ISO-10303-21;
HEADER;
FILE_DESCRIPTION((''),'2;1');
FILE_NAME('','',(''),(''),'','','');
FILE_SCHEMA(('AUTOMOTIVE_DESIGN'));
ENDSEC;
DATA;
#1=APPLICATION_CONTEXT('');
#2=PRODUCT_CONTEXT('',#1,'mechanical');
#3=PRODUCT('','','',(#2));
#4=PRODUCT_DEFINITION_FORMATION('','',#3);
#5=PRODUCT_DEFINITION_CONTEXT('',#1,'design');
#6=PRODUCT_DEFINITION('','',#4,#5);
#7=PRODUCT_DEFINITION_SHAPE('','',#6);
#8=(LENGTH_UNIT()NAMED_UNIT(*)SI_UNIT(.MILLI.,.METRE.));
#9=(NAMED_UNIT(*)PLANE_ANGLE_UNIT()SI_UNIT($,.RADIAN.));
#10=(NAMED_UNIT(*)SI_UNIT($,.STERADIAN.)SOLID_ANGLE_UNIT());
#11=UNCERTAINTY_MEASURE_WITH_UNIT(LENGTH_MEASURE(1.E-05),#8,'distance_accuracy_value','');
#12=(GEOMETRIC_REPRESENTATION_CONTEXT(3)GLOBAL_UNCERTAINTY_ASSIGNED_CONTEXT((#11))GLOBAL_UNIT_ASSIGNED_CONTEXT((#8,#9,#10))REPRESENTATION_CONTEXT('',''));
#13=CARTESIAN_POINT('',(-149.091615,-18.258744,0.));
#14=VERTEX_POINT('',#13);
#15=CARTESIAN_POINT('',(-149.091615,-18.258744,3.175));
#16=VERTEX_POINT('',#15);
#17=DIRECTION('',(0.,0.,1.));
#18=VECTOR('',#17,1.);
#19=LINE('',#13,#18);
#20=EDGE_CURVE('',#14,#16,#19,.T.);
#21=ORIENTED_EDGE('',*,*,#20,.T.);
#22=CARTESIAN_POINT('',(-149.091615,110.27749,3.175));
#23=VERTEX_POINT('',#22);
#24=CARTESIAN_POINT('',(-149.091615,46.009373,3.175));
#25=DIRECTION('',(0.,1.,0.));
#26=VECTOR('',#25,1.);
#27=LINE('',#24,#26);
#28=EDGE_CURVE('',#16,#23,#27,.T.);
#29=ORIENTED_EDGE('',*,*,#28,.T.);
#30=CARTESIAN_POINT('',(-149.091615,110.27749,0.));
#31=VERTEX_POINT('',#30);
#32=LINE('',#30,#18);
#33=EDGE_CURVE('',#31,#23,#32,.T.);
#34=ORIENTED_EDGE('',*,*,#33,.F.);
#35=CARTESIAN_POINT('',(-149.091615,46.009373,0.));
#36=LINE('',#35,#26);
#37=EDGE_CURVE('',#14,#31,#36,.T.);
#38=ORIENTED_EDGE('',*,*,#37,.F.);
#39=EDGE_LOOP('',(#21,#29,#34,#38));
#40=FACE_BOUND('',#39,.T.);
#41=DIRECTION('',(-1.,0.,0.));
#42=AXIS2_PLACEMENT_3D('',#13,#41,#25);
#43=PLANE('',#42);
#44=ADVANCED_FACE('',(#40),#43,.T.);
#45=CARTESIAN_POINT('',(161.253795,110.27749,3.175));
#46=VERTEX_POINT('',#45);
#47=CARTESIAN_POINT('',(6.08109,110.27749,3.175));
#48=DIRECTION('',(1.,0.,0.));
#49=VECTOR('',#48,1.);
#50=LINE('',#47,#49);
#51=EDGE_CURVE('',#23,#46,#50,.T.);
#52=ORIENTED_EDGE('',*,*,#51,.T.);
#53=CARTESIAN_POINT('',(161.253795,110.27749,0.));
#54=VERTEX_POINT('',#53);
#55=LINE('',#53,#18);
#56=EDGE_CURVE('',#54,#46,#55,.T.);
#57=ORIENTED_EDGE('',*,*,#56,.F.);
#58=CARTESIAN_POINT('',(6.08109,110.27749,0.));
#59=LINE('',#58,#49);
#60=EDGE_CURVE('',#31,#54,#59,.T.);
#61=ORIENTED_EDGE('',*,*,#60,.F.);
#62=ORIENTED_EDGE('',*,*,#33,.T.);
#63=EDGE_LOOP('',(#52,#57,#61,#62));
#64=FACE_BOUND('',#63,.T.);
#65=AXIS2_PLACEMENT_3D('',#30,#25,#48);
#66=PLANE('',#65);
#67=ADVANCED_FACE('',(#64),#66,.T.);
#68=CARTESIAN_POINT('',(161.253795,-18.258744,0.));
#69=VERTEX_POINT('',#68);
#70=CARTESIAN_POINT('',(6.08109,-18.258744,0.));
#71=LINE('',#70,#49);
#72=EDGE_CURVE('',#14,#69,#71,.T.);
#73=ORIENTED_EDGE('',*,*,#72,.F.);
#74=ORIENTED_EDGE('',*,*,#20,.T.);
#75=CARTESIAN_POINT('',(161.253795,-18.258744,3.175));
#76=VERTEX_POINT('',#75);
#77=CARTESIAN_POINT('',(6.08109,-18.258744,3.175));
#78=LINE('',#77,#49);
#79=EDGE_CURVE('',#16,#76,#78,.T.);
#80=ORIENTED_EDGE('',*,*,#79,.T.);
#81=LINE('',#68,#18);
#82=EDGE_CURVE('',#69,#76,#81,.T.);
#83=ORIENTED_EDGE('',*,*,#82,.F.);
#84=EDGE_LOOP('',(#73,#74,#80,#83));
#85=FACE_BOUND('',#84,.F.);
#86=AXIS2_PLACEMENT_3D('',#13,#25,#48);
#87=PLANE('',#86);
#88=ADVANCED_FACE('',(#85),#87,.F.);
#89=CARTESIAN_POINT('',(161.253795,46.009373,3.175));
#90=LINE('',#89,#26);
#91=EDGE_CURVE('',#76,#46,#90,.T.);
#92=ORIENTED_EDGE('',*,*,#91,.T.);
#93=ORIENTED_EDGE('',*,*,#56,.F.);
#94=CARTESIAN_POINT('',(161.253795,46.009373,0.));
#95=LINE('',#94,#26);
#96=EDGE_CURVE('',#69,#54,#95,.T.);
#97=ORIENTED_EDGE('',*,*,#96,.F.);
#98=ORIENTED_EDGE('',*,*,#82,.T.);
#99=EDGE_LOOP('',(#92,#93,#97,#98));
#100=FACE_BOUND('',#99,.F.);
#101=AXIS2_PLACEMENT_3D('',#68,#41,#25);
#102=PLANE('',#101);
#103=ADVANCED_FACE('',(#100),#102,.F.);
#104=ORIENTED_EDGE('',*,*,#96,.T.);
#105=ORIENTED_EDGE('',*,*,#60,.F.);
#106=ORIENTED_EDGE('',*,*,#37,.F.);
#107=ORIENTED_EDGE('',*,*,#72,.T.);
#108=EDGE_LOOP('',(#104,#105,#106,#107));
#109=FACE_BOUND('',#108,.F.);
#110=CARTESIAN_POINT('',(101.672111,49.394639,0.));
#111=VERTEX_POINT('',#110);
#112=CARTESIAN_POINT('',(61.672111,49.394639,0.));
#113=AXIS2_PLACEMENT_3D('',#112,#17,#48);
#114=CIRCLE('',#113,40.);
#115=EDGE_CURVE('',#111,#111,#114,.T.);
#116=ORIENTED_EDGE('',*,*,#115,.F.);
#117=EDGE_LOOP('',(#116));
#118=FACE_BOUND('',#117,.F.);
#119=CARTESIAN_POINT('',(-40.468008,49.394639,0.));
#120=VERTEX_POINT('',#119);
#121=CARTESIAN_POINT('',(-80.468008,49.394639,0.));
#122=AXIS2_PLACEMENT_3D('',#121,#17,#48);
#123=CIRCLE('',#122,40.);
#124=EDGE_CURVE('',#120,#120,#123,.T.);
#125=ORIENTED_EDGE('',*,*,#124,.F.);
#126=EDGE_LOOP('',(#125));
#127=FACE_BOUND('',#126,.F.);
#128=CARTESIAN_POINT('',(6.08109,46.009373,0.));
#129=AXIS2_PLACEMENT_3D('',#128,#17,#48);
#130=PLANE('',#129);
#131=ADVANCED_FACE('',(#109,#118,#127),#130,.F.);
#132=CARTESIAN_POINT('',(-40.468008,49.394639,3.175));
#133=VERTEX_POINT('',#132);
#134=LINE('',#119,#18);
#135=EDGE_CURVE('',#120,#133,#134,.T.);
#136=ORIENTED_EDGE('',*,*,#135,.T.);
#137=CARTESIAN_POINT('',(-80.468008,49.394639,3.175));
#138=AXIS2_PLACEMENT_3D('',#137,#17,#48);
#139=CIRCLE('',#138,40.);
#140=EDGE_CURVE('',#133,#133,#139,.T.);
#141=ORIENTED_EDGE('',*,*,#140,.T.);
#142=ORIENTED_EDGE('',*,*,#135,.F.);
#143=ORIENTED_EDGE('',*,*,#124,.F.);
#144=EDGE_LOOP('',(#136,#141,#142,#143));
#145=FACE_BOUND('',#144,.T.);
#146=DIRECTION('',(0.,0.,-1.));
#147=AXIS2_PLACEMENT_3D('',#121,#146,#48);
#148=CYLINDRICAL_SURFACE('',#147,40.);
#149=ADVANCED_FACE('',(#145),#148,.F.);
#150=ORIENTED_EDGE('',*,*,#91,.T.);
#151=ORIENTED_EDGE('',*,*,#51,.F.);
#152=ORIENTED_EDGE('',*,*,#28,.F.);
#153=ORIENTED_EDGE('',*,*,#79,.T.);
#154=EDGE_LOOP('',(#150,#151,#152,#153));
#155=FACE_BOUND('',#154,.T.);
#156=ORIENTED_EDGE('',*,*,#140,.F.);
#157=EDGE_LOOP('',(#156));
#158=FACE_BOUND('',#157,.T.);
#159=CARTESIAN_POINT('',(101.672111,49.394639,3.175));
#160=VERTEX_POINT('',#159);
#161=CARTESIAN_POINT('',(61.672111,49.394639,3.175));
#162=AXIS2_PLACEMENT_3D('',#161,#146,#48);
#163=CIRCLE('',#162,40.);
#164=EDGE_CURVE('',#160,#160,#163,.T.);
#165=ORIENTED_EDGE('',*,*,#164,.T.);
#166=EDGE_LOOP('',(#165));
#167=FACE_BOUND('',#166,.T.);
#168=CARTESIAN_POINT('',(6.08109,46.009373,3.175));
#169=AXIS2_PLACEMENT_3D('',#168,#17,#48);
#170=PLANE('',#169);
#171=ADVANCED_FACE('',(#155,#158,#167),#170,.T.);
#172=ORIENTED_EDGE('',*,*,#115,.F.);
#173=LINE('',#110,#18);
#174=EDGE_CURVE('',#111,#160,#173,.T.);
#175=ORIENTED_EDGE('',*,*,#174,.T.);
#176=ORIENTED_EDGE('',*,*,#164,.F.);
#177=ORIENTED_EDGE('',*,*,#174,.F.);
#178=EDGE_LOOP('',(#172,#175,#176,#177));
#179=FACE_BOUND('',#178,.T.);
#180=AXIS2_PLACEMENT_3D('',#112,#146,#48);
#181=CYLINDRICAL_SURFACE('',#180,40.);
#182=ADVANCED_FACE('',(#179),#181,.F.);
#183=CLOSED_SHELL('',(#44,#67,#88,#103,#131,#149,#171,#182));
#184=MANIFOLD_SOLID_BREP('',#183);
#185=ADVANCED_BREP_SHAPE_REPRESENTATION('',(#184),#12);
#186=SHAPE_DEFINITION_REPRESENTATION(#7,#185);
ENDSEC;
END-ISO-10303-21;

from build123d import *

# Parameters (mm, degrees)
F1_W     = 310.345411
F1_H     = 128.536235
F1_R     = 40
F3_DEPTH = 3.175
F4_R     = 40
F5_DEPTH = 25.4


with BuildPart() as f3:
    # F1 (on face) → F3 (new body)
    with BuildSketch(Plane.XY):
        with Locations((6.08109, 46.009373)):
            Rectangle(F1_W, F1_H)
        with Locations((-80.468008, 49.394639)):
            Circle(F1_R, mode=Mode.SUBTRACT)
    extrude(amount=F3_DEPTH)

    # F4 (on face) → F5 (cut)
    with BuildSketch(Plane.XY):
        with Locations((61.672111, 49.394639)):
            Circle(F4_R)
    extrude(amount=F5_DEPTH, mode=Mode.SUBTRACT)


solid = f3.part
